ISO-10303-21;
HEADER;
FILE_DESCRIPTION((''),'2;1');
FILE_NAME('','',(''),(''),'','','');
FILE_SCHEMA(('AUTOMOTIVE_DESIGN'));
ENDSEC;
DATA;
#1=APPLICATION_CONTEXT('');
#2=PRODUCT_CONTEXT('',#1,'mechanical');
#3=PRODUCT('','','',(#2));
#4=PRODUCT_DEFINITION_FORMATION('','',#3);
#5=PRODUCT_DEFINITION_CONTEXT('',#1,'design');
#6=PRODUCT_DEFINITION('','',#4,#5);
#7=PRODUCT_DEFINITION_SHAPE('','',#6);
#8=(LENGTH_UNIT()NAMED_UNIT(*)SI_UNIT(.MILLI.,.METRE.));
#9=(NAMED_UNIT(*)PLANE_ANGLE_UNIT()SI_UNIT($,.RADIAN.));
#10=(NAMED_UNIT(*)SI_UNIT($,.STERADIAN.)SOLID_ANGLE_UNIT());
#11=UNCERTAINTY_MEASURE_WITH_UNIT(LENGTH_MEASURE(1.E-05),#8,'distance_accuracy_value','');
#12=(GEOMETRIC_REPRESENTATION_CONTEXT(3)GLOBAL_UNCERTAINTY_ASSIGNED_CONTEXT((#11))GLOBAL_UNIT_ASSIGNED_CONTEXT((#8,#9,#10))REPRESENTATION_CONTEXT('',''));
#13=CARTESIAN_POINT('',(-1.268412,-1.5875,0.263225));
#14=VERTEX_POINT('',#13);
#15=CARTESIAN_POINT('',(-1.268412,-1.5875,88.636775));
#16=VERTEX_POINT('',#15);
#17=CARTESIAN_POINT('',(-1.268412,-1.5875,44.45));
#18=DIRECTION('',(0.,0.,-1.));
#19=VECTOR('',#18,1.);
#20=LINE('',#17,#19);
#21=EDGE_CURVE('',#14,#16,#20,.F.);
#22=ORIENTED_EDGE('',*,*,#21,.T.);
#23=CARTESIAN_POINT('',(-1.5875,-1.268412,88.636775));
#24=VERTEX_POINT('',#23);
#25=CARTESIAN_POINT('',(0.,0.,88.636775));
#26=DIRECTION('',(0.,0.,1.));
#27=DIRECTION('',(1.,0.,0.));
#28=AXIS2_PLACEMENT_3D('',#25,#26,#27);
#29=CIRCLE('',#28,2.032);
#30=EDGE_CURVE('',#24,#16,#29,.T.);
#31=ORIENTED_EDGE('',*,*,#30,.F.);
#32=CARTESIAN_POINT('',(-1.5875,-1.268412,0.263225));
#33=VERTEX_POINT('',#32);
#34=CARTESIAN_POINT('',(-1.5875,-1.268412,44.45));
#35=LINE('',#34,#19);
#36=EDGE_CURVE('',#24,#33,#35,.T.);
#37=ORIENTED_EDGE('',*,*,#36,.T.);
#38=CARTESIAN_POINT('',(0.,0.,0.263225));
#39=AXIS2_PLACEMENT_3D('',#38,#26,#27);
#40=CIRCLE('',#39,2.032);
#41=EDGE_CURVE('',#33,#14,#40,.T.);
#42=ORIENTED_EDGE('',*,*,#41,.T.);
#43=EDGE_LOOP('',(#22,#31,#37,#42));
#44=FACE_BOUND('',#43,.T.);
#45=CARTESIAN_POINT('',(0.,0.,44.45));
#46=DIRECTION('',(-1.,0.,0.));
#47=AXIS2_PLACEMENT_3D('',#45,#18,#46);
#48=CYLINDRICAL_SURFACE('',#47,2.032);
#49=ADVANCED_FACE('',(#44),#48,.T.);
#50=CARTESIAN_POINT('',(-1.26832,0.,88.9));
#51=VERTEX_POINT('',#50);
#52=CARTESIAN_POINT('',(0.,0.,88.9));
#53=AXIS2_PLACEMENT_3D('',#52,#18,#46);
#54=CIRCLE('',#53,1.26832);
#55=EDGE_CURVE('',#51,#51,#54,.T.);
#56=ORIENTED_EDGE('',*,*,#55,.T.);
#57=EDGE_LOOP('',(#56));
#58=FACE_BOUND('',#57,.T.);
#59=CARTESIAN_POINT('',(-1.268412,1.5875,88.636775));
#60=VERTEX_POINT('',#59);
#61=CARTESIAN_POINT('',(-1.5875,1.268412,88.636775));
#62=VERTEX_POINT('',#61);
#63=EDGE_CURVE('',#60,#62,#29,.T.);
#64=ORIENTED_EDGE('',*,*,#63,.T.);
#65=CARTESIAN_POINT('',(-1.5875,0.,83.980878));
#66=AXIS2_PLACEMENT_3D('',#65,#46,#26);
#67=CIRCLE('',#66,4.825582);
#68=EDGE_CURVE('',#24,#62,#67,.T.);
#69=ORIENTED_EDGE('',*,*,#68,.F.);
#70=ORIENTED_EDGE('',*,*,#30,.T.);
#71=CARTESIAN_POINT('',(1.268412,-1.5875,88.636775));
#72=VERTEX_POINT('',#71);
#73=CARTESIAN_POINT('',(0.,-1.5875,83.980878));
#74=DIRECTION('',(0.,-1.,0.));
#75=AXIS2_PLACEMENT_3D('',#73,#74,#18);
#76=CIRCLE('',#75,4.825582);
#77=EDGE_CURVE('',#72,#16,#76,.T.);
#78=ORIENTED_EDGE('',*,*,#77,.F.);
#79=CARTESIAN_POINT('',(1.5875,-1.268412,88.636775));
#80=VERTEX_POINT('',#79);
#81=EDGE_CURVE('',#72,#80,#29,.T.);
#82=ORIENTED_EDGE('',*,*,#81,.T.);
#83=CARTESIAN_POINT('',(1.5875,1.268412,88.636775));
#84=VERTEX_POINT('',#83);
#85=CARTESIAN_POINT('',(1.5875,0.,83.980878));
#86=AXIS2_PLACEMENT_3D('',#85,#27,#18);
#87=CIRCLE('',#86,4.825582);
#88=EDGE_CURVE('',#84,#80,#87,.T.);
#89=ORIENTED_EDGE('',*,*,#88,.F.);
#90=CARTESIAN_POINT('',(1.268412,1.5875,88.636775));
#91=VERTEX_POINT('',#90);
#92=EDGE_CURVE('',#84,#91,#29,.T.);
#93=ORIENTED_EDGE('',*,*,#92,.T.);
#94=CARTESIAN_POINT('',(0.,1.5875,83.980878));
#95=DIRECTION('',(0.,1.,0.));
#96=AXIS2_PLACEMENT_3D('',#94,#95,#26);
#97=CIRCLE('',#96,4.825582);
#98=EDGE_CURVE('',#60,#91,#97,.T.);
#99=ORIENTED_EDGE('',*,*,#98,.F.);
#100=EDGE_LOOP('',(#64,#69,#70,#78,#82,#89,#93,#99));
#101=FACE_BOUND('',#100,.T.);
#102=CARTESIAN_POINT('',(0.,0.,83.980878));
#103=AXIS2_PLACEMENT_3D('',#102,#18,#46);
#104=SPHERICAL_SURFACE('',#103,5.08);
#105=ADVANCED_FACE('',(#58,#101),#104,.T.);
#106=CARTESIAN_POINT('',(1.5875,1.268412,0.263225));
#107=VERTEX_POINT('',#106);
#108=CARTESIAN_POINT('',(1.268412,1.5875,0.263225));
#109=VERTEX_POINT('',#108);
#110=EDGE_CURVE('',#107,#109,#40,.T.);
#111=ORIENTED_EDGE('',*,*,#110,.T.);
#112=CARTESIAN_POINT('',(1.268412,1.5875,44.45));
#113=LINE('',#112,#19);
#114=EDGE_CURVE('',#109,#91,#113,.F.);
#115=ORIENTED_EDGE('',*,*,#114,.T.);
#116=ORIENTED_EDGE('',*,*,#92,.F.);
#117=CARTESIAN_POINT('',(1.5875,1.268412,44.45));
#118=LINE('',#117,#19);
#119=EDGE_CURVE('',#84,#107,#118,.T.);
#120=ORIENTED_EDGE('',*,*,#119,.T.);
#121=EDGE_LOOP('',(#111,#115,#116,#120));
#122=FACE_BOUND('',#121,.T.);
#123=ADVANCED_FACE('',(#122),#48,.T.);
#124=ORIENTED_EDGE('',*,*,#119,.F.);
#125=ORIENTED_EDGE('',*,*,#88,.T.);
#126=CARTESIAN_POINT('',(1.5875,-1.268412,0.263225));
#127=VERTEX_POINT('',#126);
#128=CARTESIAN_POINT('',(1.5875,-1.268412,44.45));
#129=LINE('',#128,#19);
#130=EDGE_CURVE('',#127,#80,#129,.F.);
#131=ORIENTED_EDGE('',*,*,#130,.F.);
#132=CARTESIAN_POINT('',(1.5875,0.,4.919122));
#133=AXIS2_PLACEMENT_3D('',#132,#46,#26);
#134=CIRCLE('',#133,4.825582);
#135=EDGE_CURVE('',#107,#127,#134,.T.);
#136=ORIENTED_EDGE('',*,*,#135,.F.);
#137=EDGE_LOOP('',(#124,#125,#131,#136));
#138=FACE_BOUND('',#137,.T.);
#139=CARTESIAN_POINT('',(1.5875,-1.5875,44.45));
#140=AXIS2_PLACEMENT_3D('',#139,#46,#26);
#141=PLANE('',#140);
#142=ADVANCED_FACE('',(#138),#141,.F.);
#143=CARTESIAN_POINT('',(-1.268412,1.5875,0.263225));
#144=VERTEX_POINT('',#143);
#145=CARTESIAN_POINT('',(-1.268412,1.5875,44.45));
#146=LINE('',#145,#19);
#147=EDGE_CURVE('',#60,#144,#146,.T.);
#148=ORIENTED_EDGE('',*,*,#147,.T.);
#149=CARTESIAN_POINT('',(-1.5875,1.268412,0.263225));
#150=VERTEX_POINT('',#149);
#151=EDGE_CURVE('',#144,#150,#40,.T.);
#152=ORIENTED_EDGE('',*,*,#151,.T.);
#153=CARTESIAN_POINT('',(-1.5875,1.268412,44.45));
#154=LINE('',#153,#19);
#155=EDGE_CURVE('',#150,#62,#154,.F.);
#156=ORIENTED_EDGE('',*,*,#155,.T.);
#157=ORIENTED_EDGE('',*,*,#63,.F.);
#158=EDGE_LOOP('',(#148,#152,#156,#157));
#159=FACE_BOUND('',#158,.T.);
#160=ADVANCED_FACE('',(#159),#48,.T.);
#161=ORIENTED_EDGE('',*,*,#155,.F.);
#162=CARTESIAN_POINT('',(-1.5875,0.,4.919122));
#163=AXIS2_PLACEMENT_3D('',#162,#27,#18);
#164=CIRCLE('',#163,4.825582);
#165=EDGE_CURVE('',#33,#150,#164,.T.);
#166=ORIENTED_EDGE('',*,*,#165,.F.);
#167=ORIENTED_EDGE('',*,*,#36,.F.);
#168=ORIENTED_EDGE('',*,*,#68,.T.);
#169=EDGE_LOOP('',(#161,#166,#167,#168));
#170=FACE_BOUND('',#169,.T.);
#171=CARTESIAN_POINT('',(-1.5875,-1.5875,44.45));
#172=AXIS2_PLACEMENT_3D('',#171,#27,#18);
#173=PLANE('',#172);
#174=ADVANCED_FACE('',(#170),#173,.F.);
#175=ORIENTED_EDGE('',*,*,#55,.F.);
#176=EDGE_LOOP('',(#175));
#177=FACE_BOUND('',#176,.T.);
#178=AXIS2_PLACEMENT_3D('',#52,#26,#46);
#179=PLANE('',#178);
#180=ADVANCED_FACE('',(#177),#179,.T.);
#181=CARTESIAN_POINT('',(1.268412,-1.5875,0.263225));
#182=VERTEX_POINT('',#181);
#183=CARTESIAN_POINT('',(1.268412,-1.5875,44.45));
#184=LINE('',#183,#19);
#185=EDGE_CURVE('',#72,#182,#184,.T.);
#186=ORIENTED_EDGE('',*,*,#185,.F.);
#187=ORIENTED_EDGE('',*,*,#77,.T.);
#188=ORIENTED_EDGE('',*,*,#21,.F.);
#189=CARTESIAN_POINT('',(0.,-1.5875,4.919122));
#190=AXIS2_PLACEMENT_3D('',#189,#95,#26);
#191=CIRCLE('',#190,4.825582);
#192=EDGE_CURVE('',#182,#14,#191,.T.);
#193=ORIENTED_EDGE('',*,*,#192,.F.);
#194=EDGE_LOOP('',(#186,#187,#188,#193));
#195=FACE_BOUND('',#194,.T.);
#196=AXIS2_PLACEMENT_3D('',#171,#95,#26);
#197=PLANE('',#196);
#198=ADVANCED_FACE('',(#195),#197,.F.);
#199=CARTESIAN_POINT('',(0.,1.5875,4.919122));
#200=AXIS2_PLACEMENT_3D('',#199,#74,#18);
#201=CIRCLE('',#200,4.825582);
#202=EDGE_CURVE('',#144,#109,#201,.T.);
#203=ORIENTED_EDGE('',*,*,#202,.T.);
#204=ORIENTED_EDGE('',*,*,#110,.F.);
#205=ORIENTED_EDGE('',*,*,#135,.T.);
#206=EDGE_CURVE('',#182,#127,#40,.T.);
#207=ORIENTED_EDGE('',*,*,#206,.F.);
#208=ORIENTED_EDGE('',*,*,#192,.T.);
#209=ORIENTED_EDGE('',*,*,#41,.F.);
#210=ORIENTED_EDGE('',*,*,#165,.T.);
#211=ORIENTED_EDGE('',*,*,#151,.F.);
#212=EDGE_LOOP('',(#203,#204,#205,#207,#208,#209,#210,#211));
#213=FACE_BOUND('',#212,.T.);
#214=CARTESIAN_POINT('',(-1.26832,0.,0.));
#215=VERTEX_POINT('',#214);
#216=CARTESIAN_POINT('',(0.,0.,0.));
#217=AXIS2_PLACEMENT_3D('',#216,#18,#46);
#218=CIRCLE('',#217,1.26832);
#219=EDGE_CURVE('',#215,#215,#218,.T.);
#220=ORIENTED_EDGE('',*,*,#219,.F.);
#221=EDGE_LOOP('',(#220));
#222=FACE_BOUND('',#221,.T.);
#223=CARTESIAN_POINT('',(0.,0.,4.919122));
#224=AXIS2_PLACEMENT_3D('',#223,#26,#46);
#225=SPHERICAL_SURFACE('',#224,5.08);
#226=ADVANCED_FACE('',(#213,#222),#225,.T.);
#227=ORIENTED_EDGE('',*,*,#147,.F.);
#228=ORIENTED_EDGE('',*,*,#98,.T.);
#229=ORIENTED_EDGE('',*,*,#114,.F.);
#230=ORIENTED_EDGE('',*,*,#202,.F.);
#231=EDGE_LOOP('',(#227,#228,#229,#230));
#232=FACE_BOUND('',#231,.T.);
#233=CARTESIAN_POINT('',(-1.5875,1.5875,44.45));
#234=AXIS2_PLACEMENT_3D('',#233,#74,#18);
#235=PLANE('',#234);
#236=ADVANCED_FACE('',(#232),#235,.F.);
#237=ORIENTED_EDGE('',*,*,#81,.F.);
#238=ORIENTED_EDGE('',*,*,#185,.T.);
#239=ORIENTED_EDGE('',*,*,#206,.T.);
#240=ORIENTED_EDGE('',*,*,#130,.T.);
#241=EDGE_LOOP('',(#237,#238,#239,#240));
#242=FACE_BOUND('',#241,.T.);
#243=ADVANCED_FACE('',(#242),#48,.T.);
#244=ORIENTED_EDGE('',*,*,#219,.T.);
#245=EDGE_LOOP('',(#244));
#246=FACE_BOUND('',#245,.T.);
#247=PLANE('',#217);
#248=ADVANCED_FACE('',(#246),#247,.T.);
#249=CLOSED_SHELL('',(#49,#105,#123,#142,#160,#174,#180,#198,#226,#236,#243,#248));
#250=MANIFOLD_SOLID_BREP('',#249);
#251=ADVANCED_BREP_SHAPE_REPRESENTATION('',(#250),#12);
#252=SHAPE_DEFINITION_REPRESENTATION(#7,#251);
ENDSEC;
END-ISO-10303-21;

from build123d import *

# Parameters (mm, degrees)
SKETCH1_W           = 3.175
SKETCH1_H           = 3.175
BOSS_EXTRUDE1_DEPTH = 44.45
SKETCH2_OUTSIDE_W   = 14.112
SKETCH2_OUTSIDE_H   = 14.111
SKETCH2_OUTSIDE_R   = 2.032
CUT_EXTRUDE1_DEPTH  = 45.45


with BuildPart() as part:
    # Sketch1 → Boss-Extrude1 (new body)
    with BuildSketch(Plane.XY):
        Rectangle(SKETCH1_W, SKETCH1_H)
    extrude(amount=BOSS_EXTRUDE1_DEPTH)

    # Sketch2 outside → Cut-Extrude1 (cut, through all)
    with BuildSketch(Plane(origin=(0, 0, 0), x_dir=(-1, 0, 0), z_dir=(0, 0, -1))):
        with Locations((0, -0.0005)):
            Rectangle(SKETCH2_OUTSIDE_W, SKETCH2_OUTSIDE_H)
        Circle(SKETCH2_OUTSIDE_R, mode=Mode.SUBTRACT)
    extrude(amount=-CUT_EXTRUDE1_DEPTH, mode=Mode.SUBTRACT)

    # Sketch3 → Cut-Revolve1 (revolve, cut)
    with BuildSketch(Plane(origin=(0, 0, 0), x_dir=(1, 0, 0), z_dir=(0, 1, 0))):
        with BuildLine():
            Line((-5.053685963, -4.40273269), (-5.053685963, 5.740530545))
            Line((-5.053685963, 5.740530545), (0, 5.740530545))
            Line((0, 5.740530545), (0, 0.160877736))
            ThreePointArc((0, 0.160877736), (-3.404639553, -1.148866368), (-5.053685963, -4.40273269))
        make_face()
    revolve(axis=Axis((0, 0, 44.45), (0, 0, -1)), mode=Mode.SUBTRACT)

    # Mirror1: part across plane


with BuildPart() as part_1:
    add(part.part)
    add(part.part.mirror(Plane(origin=(0, 0, 44.45), x_dir=(1, 0, 0), z_dir=(0, 0, -1))))


solid = part_1.part
